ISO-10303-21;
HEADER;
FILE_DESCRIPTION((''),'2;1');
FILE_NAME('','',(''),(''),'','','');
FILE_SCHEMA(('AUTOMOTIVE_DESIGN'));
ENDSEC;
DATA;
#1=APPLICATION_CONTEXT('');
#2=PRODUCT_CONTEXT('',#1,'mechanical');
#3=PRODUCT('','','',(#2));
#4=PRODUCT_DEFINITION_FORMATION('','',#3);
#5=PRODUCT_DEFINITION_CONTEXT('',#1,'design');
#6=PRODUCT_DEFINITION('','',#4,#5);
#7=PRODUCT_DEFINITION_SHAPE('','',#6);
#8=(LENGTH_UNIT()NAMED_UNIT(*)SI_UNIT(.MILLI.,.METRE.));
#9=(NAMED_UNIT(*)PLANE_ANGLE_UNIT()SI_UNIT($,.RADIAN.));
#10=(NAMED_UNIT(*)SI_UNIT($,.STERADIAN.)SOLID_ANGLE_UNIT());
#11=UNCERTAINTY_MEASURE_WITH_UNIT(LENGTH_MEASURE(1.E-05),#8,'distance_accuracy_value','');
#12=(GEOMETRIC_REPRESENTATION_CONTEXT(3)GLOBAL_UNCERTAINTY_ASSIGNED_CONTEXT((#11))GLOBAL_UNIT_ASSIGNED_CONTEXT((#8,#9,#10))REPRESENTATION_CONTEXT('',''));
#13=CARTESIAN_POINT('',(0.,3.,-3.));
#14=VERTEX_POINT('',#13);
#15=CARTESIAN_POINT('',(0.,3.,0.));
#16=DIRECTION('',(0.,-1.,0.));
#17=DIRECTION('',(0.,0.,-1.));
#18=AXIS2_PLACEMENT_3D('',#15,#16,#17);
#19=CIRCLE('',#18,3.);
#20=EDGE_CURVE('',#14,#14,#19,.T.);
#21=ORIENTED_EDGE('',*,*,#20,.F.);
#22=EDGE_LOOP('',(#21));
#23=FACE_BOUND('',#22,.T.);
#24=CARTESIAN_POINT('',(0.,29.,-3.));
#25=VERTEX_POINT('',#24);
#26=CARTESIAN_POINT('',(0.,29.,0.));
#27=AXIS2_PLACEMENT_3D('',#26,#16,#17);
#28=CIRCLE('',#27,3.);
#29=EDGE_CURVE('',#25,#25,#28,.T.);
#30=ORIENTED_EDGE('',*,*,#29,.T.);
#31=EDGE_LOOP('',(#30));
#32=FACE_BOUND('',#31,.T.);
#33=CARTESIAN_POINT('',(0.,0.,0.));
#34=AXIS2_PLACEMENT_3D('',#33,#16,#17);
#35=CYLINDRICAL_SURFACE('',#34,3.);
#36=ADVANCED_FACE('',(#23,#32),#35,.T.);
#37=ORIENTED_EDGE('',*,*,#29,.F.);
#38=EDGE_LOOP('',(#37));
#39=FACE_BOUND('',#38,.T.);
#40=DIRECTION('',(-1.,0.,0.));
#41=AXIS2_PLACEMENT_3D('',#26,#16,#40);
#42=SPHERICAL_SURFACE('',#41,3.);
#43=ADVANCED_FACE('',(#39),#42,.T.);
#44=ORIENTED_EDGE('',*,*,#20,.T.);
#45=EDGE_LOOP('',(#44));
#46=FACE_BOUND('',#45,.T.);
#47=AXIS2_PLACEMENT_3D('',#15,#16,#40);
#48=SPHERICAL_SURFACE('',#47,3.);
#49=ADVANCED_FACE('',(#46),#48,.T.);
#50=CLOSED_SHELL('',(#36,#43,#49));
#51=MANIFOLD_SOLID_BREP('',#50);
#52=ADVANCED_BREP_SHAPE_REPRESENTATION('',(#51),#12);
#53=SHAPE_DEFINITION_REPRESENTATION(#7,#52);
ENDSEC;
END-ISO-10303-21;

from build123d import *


with BuildPart() as part:
    # Esquisse1 → Révolution1 (revolve)
    with BuildSketch(Plane.XY):
        with BuildLine():
            Line((-3, 29), (-3, 3))
            ThreePointArc((-3, 3), (-2.121320344, 0.878679656), (0, 0))
            Line((0, 0), (0, 32))
            ThreePointArc((0, 32), (-2.121320344, 31.121320344), (-3, 29))
        make_face()
    revolve(axis=Axis((0, 0, 0), (0, 1, 0)))


solid = part.part
